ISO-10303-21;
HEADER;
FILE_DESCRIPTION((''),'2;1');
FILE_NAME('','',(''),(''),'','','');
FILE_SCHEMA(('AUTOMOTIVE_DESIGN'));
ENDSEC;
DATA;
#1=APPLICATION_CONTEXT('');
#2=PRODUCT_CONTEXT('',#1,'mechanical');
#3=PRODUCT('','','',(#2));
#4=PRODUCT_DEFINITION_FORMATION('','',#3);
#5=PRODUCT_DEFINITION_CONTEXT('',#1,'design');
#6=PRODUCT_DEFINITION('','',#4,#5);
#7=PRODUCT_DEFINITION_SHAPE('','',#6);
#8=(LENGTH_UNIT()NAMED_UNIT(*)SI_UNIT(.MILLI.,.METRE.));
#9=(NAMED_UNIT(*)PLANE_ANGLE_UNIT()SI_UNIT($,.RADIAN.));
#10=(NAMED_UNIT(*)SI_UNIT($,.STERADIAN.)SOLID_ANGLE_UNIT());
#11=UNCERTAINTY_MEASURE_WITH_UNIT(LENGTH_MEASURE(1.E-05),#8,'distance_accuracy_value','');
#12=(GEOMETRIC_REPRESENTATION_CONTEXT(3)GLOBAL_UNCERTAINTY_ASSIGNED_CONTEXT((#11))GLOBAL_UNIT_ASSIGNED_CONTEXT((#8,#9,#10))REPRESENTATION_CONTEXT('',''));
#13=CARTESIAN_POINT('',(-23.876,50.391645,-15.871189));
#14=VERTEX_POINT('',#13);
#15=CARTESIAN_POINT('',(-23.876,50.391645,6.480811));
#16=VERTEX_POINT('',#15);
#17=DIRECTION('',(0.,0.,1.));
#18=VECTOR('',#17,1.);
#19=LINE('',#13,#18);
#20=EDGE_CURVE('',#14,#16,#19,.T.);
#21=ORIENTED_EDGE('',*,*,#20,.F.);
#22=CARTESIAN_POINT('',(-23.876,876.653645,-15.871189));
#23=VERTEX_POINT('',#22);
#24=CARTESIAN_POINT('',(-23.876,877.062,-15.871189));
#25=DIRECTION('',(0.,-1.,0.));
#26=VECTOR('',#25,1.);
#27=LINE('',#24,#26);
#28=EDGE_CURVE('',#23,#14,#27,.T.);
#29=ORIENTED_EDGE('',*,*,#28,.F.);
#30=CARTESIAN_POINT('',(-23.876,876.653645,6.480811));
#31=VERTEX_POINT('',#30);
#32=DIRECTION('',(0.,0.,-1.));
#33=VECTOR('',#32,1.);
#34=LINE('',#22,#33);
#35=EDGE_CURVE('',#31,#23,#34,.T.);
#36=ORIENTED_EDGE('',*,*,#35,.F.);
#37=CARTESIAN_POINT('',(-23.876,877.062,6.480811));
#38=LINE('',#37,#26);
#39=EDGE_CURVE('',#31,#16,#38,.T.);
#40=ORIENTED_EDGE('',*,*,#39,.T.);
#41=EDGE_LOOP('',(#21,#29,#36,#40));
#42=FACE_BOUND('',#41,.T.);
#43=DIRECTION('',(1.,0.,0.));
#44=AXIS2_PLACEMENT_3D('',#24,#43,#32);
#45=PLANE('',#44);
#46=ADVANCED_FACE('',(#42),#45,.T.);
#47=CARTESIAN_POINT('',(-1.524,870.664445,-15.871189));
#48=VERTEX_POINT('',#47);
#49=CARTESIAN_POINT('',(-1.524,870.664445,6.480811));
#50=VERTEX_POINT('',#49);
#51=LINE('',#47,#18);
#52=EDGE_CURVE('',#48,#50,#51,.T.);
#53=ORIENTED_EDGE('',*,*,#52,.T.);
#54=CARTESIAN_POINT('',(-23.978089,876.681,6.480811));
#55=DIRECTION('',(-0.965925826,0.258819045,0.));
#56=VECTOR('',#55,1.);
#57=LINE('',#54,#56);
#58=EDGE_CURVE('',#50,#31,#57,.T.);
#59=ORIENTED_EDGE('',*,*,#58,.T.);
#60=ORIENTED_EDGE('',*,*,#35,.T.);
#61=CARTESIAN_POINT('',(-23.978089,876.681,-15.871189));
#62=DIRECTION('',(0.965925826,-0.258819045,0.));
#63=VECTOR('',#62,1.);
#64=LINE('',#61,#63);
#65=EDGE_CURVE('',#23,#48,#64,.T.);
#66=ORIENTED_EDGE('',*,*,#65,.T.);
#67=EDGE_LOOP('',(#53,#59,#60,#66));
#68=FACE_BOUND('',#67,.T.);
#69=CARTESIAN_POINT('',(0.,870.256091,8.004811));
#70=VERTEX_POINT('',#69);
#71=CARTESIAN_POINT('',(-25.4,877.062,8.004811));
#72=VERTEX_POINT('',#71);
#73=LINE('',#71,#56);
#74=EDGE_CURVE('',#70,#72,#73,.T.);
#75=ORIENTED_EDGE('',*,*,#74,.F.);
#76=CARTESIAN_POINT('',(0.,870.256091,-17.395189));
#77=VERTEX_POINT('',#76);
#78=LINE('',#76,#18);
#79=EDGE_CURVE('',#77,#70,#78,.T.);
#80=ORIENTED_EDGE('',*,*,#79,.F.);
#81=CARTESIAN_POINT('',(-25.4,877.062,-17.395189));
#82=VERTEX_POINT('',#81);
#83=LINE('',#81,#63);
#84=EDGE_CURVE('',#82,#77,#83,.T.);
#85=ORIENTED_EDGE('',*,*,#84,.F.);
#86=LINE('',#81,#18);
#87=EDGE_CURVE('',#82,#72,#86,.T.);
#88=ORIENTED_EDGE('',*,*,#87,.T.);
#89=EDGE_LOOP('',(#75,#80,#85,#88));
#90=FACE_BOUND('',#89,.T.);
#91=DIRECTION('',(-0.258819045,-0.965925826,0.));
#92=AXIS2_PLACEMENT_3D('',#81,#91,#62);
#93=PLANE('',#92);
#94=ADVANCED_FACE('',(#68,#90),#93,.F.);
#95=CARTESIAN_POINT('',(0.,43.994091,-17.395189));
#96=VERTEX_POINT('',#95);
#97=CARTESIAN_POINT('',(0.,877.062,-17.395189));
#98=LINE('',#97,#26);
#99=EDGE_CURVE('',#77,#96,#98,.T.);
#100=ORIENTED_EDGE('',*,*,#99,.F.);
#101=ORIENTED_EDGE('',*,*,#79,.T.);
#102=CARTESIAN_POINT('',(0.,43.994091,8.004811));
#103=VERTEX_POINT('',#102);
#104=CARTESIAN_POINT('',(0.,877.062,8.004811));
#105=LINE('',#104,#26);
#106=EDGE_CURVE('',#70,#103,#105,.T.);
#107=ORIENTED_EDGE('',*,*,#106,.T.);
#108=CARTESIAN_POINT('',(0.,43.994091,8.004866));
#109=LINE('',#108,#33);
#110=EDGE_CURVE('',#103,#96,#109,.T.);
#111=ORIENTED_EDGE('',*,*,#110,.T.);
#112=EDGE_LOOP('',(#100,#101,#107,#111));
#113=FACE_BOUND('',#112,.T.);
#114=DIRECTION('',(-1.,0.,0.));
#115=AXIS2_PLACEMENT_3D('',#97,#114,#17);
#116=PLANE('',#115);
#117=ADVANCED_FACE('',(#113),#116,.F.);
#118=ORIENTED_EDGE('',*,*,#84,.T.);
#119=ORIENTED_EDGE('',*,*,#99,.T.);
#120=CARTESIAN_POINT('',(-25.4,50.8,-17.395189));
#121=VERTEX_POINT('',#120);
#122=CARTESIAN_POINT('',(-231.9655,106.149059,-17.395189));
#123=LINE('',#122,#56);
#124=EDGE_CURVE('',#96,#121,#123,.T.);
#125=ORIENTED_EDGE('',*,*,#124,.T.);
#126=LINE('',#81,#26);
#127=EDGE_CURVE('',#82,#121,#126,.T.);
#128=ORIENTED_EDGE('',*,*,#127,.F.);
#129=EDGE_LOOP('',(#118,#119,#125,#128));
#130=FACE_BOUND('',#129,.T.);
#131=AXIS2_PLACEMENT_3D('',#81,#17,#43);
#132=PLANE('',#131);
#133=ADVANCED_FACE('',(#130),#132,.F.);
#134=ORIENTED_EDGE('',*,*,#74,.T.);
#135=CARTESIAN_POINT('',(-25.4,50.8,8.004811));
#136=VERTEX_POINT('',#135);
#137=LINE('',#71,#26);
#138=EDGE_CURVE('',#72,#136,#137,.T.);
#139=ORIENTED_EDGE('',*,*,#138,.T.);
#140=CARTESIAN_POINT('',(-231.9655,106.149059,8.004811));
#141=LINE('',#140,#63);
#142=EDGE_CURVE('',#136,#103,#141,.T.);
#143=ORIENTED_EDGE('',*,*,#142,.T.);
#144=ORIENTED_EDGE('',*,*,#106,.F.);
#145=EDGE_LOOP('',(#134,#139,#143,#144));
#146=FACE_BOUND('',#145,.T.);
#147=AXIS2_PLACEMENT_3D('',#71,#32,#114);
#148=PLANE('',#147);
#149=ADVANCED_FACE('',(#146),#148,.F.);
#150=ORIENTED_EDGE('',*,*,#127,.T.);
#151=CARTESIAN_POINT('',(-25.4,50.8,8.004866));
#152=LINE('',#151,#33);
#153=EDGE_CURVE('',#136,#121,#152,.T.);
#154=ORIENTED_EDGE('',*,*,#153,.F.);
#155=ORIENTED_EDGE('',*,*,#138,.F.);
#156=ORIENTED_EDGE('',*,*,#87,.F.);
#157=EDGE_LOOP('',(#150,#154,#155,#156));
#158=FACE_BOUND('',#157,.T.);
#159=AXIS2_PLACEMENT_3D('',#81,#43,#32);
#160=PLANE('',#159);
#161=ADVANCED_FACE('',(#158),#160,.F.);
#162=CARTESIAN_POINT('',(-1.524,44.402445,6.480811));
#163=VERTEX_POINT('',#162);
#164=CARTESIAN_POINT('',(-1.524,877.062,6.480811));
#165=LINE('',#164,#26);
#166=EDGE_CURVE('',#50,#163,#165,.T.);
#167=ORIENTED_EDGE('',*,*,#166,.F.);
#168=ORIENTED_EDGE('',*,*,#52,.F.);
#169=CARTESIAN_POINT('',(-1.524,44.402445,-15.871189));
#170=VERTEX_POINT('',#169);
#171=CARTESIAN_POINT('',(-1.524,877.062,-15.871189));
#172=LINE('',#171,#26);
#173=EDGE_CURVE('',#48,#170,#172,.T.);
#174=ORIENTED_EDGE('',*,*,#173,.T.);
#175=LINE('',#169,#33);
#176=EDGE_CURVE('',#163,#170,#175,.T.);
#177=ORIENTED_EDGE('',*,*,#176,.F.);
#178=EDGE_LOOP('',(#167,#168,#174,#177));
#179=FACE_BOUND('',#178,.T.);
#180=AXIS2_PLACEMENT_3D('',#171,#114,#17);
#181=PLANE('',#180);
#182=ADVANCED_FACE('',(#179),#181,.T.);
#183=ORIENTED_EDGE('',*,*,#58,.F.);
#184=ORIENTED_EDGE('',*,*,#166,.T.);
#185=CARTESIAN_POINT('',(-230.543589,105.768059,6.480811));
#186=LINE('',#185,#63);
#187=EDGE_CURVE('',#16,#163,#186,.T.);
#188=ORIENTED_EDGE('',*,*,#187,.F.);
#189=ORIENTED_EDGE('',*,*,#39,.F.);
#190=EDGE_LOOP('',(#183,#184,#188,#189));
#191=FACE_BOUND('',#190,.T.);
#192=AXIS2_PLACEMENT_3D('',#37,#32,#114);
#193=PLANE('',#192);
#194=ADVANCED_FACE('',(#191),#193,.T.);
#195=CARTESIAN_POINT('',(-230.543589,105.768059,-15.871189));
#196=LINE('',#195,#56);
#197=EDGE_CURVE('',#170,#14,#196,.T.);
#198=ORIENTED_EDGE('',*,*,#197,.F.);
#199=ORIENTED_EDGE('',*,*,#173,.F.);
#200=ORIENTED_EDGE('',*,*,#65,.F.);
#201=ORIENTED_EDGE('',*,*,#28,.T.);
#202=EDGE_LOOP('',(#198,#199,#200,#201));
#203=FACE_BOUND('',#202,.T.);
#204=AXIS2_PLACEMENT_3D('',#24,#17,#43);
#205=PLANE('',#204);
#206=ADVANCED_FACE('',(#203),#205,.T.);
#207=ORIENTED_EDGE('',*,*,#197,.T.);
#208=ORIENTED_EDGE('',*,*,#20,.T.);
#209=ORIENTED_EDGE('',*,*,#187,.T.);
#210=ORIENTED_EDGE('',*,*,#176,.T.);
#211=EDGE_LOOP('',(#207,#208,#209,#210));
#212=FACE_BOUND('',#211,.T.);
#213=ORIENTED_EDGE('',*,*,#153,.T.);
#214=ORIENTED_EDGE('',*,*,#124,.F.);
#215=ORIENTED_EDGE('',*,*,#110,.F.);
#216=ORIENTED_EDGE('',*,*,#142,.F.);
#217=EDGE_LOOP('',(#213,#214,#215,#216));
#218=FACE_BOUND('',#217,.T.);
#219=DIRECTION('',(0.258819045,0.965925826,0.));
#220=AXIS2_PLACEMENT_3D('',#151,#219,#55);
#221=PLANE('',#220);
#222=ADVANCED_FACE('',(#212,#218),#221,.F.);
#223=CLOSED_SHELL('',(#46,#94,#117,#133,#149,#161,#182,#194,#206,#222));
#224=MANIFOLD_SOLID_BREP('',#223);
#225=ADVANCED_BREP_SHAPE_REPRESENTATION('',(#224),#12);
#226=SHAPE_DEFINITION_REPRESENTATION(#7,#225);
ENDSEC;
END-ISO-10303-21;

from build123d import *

# Parameters (mm, degrees)
SKETCH1_W               = 25.4
SKETCH1_H               = 25.4
SKETCH1_W_2             = 22.352
SKETCH1_H_2             = 22.352
BOSS_EXTRUDE1_DEPTH     = 877.062
CUT_EXTRUDE1_DEPTH      = 1
CUT_EXTRUDE1_DEPTH_BACK = 26.4
CUT_EXTRUDE2_DEPTH      = 1
CUT_EXTRUDE2_DEPTH_BACK = 26.4


with BuildPart() as part:
    # Sketch1 → Boss-Extrude1 (new body)
    with BuildSketch(Plane(origin=(0, 0, 0), x_dir=(1, 0, 0), z_dir=(0, 1, 0))):
        with Locations((-12.7, 4.695189487)):
            Rectangle(SKETCH1_W, SKETCH1_H)
        with Locations((-12.7, 4.695189487)):
            Rectangle(SKETCH1_W_2, SKETCH1_H_2, mode=Mode.SUBTRACT)
    extrude(amount=BOSS_EXTRUDE1_DEPTH)

    # Sketch2 → Cut-Extrude1 (cut, two sides)
    with BuildSketch(Plane.XY.offset(8.004810513)) as cut_extrude1_sk:
        Polygon((-25.4, 877.062), (0, 870.256090512), (0, 877.062), align=None)
    extrude(amount=CUT_EXTRUDE1_DEPTH, mode=Mode.SUBTRACT)
    extrude(cut_extrude1_sk.sketch, amount=-CUT_EXTRUDE1_DEPTH_BACK, mode=Mode.SUBTRACT)

    # Sketch3 → Cut-Extrude2 (cut, two sides)
    with BuildSketch(Plane(origin=(0, 0, -17.395189487), x_dir=(-1, 0, 0), z_dir=(0, 0, -1))) as cut_extrude2_sk:
        Polygon((25.4, 0), (25.4, 50.8), (0, 43.994090512), (0, 0), align=None)
    extrude(amount=CUT_EXTRUDE2_DEPTH, mode=Mode.SUBTRACT)
    extrude(cut_extrude2_sk.sketch, amount=-CUT_EXTRUDE2_DEPTH_BACK, mode=Mode.SUBTRACT)


solid = part.part
